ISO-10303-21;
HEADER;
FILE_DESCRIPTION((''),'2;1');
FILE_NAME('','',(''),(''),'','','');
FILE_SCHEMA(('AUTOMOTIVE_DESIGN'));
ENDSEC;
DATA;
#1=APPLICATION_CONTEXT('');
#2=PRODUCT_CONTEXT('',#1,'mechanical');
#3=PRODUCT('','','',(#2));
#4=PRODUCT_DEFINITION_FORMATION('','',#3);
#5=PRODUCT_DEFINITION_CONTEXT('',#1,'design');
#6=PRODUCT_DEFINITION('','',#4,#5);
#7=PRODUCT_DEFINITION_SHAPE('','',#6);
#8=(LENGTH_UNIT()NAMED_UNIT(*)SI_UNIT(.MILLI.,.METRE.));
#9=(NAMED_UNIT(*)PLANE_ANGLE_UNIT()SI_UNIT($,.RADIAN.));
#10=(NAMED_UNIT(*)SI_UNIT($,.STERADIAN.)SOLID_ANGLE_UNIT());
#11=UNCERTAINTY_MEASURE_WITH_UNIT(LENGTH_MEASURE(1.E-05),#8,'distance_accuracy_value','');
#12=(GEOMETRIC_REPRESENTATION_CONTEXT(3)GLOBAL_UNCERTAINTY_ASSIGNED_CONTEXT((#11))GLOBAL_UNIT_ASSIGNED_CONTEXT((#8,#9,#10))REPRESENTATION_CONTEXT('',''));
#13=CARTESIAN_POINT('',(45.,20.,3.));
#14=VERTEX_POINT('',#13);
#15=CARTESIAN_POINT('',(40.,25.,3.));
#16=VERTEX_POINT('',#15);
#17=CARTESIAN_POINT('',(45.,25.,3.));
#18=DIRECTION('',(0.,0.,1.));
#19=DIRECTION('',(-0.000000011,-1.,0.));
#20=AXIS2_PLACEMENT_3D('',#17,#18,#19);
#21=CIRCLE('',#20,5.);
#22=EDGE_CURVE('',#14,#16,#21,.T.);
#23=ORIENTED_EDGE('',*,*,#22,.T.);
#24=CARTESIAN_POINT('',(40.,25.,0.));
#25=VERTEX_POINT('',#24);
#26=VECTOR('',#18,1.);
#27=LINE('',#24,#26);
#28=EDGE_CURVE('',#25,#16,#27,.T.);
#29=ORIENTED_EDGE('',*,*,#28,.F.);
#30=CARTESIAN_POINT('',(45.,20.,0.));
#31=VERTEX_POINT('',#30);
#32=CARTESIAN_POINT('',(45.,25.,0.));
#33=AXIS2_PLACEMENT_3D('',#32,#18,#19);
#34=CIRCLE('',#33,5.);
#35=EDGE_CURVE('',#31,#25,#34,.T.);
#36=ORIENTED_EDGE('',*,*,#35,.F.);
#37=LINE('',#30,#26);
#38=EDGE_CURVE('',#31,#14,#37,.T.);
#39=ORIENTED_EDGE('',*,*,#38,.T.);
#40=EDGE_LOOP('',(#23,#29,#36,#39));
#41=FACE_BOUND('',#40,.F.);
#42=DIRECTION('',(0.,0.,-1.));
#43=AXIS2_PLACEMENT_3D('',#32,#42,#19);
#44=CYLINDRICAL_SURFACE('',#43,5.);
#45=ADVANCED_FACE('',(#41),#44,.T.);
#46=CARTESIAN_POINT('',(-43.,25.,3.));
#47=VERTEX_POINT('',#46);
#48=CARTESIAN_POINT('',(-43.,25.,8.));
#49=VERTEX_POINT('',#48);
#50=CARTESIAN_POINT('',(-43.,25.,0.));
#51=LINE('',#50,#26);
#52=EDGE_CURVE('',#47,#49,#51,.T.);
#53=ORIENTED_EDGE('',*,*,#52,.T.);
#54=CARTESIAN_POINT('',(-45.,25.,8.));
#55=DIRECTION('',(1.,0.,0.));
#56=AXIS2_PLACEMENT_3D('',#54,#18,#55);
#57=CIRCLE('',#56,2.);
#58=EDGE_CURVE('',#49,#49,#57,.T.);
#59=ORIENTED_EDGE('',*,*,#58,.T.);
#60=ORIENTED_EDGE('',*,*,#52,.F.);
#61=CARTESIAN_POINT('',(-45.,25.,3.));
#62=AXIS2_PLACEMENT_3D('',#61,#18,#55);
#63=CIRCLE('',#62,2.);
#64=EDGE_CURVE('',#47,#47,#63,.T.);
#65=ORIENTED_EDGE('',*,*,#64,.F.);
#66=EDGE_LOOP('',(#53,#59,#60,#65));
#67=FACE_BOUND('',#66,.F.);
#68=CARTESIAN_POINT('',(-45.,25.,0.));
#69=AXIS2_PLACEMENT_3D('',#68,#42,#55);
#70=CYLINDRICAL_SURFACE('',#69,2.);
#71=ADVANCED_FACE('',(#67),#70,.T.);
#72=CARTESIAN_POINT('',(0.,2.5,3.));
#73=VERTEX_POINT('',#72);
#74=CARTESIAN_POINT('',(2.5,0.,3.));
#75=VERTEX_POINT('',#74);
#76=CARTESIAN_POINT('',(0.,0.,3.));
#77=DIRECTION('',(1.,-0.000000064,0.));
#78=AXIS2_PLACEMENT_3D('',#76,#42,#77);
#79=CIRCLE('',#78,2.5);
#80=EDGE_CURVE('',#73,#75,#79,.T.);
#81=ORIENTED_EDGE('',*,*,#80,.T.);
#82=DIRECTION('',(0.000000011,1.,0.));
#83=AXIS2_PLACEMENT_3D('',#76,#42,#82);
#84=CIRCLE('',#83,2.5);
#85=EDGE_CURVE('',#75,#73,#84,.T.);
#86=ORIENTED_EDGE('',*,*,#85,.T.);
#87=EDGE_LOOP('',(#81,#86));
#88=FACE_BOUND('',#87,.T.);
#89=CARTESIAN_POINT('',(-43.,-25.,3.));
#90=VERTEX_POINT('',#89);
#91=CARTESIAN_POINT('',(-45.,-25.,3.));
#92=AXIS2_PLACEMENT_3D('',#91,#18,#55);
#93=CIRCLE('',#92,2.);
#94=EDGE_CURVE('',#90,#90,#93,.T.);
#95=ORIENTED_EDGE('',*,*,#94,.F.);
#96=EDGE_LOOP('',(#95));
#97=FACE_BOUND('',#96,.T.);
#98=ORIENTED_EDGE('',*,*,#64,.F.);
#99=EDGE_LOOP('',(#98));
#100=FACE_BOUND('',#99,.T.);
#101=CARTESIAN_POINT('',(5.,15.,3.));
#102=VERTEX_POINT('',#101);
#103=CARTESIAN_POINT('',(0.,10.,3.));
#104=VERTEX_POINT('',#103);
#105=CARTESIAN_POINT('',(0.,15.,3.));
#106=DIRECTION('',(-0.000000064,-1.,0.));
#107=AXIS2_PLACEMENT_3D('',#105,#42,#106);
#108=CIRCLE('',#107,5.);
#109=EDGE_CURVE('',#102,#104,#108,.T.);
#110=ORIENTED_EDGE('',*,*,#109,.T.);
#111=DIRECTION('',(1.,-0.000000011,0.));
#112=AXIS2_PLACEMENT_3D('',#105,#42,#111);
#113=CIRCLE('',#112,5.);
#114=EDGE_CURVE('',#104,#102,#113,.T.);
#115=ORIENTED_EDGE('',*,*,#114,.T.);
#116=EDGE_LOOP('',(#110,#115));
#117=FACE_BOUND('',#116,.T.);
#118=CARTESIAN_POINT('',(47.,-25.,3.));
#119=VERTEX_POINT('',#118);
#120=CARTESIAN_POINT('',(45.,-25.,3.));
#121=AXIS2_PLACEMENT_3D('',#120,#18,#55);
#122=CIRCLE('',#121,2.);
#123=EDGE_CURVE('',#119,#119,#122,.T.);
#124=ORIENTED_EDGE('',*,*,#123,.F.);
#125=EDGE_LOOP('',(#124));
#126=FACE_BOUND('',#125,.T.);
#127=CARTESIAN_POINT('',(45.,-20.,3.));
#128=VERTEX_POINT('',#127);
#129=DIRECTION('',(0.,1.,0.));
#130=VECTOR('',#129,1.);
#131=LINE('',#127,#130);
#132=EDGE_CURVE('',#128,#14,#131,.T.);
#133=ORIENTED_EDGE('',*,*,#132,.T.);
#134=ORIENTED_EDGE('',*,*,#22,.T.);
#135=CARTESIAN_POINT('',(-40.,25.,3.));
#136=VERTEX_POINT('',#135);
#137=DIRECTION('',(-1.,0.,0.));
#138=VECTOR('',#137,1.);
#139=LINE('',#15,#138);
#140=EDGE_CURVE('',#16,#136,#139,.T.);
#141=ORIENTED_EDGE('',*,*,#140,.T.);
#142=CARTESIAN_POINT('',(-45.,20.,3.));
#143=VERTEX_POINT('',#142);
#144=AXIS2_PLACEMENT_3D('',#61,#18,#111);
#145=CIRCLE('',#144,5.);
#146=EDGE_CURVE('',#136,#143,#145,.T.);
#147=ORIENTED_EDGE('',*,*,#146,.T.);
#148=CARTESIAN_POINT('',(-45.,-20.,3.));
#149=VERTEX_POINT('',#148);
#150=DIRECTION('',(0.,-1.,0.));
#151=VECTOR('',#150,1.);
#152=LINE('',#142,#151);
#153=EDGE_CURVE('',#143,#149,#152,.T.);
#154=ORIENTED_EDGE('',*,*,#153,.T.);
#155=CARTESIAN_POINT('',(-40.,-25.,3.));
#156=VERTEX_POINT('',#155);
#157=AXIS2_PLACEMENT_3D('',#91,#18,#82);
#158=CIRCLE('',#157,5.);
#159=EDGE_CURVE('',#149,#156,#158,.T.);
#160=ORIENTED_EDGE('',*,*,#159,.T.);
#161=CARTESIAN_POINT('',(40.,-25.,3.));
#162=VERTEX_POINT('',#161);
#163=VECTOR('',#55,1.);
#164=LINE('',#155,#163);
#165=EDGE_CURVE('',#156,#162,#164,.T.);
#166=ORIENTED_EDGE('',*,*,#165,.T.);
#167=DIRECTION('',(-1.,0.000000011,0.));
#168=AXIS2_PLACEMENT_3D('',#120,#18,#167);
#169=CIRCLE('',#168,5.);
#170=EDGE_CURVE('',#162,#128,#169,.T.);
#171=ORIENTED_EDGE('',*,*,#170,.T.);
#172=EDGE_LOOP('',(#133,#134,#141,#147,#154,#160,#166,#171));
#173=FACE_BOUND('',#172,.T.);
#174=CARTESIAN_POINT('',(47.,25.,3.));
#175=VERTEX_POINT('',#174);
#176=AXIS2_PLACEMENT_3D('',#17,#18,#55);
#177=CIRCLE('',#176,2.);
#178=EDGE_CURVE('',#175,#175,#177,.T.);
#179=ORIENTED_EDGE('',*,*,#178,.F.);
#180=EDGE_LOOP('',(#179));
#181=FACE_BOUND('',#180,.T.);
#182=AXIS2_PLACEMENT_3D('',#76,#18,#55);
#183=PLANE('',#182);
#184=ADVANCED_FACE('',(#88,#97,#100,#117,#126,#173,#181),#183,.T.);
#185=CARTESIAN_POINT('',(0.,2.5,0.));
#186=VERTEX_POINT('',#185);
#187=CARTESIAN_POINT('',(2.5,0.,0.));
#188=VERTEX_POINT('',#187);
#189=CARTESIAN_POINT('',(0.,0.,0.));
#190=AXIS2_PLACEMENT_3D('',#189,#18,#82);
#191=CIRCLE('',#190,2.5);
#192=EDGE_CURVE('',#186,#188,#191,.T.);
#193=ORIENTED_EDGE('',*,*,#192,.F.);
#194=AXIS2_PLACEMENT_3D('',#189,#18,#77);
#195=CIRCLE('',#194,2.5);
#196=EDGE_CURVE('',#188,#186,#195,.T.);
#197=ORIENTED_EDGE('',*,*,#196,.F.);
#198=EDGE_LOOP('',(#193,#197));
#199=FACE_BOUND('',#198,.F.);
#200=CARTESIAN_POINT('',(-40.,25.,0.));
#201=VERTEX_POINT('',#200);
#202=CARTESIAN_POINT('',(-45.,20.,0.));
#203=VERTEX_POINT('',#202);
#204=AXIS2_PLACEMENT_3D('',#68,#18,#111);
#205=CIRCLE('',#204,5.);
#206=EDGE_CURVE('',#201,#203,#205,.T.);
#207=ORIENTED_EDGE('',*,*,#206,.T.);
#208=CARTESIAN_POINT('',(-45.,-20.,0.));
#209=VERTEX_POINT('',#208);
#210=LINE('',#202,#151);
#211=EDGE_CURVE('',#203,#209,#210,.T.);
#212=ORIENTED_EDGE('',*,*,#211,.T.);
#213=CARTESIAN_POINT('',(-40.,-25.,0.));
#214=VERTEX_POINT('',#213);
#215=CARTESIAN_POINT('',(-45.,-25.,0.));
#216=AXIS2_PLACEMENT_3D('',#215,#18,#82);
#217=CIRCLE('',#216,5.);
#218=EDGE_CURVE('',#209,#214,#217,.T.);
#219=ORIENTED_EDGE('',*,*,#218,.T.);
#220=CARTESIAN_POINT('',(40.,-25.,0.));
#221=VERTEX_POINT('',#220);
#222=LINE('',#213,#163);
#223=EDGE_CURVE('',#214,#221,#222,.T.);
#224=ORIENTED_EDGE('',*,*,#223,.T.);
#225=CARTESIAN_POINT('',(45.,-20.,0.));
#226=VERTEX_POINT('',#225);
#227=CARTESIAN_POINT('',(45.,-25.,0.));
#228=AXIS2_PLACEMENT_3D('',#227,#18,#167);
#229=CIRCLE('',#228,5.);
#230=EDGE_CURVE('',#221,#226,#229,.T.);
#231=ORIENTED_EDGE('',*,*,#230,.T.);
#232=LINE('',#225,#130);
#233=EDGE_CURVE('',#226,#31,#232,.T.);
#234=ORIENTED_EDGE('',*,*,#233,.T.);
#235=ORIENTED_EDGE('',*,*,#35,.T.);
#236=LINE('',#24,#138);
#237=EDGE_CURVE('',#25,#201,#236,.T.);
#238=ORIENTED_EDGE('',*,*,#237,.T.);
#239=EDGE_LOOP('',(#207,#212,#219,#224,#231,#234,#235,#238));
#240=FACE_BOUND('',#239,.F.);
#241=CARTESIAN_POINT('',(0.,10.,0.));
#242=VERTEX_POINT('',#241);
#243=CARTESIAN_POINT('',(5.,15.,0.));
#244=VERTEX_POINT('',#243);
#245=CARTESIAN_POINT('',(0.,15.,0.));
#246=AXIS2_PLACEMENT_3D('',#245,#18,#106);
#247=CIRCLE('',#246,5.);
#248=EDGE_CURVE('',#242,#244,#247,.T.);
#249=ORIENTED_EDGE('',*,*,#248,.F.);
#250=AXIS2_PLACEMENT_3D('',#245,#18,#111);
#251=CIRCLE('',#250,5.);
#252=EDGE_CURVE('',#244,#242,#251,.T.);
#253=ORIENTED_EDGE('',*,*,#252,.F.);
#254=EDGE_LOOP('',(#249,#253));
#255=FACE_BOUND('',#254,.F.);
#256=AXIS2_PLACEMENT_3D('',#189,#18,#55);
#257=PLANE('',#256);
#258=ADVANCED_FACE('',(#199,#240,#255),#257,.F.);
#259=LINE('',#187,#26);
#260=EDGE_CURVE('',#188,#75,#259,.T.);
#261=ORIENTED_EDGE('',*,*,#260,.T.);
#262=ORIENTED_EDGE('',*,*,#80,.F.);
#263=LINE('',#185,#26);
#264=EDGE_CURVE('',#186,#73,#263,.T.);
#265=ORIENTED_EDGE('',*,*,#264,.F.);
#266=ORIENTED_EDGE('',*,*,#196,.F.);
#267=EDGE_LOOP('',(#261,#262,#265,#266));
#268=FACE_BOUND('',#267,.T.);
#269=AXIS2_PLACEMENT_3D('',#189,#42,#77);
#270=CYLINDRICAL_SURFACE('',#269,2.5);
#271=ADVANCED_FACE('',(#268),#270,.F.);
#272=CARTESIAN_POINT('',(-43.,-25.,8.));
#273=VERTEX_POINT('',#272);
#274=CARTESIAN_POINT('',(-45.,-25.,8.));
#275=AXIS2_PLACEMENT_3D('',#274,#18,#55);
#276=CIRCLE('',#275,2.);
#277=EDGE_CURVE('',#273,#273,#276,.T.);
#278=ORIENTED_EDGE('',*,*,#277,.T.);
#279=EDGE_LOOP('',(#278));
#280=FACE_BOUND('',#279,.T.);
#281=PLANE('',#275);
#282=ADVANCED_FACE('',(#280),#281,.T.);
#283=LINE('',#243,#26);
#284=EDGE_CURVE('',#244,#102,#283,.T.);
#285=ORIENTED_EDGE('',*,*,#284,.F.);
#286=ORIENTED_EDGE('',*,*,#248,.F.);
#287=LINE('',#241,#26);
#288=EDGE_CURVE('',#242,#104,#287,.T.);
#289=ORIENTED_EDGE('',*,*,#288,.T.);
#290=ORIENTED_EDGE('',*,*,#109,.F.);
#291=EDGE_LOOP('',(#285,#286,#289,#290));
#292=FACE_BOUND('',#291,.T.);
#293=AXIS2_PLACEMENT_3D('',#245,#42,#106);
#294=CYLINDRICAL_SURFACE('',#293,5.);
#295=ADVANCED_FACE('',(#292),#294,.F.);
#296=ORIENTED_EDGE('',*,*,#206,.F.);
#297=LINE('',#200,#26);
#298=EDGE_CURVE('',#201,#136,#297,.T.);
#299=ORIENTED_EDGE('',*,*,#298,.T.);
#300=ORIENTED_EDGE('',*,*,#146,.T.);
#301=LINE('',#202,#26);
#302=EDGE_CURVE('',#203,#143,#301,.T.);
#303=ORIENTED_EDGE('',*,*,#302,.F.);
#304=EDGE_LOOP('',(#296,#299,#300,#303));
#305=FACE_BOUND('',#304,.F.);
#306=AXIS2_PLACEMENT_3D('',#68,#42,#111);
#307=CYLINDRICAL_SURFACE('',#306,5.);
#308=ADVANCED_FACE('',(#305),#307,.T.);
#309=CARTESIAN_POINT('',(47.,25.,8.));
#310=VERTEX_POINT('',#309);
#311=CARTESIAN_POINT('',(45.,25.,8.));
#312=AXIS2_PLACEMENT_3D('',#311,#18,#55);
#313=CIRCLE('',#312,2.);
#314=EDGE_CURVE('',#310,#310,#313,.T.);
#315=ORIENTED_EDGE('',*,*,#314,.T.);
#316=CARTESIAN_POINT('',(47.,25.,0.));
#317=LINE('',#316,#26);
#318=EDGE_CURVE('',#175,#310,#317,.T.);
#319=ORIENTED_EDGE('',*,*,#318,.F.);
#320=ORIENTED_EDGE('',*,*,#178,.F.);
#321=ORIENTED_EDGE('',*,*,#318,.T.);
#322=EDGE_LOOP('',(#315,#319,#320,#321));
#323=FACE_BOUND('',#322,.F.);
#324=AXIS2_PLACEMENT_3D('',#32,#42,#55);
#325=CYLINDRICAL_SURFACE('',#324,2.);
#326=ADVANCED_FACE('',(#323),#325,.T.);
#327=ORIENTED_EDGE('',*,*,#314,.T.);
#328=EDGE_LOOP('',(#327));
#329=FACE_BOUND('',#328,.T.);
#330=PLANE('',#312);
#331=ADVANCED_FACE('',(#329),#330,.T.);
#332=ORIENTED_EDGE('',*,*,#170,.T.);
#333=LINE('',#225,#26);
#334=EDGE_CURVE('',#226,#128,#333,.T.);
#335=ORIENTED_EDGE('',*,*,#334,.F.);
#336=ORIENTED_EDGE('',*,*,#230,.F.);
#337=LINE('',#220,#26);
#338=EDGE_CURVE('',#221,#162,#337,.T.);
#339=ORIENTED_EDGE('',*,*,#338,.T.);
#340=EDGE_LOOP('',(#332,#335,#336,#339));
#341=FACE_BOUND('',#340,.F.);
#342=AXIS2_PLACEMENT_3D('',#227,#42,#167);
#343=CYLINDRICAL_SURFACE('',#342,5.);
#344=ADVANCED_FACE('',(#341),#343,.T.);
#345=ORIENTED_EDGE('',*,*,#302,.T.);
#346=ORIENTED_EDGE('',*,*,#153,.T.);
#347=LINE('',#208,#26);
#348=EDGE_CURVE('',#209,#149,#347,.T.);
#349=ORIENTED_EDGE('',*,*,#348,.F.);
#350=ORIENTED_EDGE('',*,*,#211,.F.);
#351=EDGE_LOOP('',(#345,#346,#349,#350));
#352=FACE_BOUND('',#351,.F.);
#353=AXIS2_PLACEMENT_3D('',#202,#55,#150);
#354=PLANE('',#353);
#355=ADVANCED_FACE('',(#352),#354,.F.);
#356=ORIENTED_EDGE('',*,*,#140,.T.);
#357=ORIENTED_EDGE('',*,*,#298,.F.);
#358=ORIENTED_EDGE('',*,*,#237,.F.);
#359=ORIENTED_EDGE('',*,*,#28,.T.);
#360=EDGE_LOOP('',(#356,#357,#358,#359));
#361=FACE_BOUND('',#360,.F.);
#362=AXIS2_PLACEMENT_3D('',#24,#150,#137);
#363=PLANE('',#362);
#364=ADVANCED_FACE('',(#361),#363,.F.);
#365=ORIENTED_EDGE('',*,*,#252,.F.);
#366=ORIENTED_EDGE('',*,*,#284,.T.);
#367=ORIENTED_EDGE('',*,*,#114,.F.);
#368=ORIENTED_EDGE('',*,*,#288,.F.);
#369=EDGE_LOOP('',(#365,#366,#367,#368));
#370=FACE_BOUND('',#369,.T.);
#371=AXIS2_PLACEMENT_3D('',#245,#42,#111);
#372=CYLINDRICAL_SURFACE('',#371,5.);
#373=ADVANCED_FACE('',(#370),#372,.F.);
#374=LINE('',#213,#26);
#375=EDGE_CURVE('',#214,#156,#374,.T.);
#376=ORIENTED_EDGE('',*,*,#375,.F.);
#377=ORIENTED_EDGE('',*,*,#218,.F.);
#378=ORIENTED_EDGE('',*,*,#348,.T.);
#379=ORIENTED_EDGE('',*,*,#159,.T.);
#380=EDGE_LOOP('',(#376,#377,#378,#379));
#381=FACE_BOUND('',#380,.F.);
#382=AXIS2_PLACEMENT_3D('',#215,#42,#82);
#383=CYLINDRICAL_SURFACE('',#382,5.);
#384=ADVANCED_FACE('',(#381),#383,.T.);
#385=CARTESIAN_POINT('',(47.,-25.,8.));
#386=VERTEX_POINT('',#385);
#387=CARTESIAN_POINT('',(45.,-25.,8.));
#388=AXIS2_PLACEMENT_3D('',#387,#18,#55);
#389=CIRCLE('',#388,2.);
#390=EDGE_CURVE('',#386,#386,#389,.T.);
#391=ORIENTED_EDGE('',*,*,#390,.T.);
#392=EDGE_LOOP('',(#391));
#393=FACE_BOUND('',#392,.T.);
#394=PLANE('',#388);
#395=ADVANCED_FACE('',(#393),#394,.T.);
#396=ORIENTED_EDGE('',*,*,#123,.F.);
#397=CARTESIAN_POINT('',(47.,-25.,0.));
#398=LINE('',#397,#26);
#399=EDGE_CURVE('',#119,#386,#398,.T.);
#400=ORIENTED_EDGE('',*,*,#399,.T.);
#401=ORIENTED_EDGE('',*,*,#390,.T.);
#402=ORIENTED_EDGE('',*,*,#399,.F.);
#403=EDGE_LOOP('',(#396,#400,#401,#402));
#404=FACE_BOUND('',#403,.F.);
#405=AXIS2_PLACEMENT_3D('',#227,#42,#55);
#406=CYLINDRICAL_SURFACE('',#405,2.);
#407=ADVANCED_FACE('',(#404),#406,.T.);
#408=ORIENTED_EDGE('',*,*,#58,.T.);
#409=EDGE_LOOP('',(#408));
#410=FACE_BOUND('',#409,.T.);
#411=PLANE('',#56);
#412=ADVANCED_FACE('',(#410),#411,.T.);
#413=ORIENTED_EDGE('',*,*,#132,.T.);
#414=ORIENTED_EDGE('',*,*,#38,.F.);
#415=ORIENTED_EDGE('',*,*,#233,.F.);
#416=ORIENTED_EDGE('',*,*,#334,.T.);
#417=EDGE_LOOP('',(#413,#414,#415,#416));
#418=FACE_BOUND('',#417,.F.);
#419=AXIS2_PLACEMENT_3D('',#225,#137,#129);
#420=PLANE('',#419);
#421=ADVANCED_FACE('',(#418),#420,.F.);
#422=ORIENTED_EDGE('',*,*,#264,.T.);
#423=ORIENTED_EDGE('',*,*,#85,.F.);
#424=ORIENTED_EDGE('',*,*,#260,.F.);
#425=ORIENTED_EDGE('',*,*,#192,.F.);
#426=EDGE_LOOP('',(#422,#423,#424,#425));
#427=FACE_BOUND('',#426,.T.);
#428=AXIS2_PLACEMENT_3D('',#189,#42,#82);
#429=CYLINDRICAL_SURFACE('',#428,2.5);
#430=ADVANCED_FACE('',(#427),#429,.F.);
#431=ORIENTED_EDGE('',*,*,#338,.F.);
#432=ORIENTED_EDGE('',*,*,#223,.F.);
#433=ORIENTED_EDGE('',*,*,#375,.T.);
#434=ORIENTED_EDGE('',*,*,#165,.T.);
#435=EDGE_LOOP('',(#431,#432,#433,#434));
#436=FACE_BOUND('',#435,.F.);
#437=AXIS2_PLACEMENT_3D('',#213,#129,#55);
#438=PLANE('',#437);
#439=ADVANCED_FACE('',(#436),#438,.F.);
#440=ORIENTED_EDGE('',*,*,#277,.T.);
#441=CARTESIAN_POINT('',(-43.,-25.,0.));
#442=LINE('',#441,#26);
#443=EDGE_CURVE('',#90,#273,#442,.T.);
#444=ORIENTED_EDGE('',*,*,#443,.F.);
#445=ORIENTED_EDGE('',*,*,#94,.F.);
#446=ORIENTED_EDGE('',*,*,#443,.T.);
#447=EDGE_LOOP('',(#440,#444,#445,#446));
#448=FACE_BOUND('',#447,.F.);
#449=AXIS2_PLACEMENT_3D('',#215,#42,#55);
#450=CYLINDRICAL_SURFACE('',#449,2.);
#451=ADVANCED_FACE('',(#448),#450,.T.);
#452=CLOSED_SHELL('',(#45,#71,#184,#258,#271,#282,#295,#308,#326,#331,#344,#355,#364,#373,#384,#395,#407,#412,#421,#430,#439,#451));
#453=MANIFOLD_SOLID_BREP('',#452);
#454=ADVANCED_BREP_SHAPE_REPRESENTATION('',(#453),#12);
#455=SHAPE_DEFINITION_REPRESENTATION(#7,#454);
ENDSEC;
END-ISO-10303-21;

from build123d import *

# Parameters (mm, degrees)
F0_R     = 2
F1_DEPTH = 3
F2_DEPTH = 8
F4_DEPTH = 4


with BuildPart() as f1:
    # F0 (on Top) → F1 (new body)
    with BuildSketch(Plane.XY):
        with BuildLine():
            Line((40, 25), (-40, 25))
            ThreePointArc((-40, 25), (-48.535534, 28.535534), (-45, 20))
            Line((-45, 20), (-45, -20))
            ThreePointArc((-45, -20), (-48.535534, -28.535534), (-40, -25))
            Line((-40, -25), (40, -25))
            ThreePointArc((40, -25), (48.535534, -28.535534), (45, -20))
            Line((45, -20), (45, 20))
            ThreePointArc((45, 20), (48.535534, 28.535534), (40, 25))
        make_face()
        with Locations((-45, -25)):
            Circle(F0_R, mode=Mode.SUBTRACT)
        with Locations((45, -25)):
            Circle(F0_R, mode=Mode.SUBTRACT)
        with Locations((-45, 25)):
            Circle(F0_R, mode=Mode.SUBTRACT)
        with Locations((45, 25)):
            Circle(F0_R, mode=Mode.SUBTRACT)
    extrude(amount=F1_DEPTH)

    # F0 (on Top) → F2 (join)
    with BuildSketch(Plane.XY):
        with Locations((-45, -25)):
            Circle(F0_R)
        with Locations((45, -25)):
            Circle(F0_R)
        with Locations((45, 25)):
            Circle(F0_R)
        with Locations((-45, 25)):
            Circle(F0_R)
    extrude(amount=F2_DEPTH)

    # F3 (on Top) → F4 (cut)
    with BuildSketch(Plane.XY):
        with BuildLine():
            ThreePointArc((2.5, 0), (1.767767, 1.767767), (0, 2.5))
            ThreePointArc((0, 2.5), (-1.767767, -1.767767), (2.5, 0))
        make_face()
        with BuildLine():
            ThreePointArc((5, 15), (-3.535534, 18.535534), (0, 10))
            ThreePointArc((0, 10), (3.535534, 11.464466), (5, 15))
        make_face()
    extrude(amount=F4_DEPTH, mode=Mode.SUBTRACT)


solid = f1.part
